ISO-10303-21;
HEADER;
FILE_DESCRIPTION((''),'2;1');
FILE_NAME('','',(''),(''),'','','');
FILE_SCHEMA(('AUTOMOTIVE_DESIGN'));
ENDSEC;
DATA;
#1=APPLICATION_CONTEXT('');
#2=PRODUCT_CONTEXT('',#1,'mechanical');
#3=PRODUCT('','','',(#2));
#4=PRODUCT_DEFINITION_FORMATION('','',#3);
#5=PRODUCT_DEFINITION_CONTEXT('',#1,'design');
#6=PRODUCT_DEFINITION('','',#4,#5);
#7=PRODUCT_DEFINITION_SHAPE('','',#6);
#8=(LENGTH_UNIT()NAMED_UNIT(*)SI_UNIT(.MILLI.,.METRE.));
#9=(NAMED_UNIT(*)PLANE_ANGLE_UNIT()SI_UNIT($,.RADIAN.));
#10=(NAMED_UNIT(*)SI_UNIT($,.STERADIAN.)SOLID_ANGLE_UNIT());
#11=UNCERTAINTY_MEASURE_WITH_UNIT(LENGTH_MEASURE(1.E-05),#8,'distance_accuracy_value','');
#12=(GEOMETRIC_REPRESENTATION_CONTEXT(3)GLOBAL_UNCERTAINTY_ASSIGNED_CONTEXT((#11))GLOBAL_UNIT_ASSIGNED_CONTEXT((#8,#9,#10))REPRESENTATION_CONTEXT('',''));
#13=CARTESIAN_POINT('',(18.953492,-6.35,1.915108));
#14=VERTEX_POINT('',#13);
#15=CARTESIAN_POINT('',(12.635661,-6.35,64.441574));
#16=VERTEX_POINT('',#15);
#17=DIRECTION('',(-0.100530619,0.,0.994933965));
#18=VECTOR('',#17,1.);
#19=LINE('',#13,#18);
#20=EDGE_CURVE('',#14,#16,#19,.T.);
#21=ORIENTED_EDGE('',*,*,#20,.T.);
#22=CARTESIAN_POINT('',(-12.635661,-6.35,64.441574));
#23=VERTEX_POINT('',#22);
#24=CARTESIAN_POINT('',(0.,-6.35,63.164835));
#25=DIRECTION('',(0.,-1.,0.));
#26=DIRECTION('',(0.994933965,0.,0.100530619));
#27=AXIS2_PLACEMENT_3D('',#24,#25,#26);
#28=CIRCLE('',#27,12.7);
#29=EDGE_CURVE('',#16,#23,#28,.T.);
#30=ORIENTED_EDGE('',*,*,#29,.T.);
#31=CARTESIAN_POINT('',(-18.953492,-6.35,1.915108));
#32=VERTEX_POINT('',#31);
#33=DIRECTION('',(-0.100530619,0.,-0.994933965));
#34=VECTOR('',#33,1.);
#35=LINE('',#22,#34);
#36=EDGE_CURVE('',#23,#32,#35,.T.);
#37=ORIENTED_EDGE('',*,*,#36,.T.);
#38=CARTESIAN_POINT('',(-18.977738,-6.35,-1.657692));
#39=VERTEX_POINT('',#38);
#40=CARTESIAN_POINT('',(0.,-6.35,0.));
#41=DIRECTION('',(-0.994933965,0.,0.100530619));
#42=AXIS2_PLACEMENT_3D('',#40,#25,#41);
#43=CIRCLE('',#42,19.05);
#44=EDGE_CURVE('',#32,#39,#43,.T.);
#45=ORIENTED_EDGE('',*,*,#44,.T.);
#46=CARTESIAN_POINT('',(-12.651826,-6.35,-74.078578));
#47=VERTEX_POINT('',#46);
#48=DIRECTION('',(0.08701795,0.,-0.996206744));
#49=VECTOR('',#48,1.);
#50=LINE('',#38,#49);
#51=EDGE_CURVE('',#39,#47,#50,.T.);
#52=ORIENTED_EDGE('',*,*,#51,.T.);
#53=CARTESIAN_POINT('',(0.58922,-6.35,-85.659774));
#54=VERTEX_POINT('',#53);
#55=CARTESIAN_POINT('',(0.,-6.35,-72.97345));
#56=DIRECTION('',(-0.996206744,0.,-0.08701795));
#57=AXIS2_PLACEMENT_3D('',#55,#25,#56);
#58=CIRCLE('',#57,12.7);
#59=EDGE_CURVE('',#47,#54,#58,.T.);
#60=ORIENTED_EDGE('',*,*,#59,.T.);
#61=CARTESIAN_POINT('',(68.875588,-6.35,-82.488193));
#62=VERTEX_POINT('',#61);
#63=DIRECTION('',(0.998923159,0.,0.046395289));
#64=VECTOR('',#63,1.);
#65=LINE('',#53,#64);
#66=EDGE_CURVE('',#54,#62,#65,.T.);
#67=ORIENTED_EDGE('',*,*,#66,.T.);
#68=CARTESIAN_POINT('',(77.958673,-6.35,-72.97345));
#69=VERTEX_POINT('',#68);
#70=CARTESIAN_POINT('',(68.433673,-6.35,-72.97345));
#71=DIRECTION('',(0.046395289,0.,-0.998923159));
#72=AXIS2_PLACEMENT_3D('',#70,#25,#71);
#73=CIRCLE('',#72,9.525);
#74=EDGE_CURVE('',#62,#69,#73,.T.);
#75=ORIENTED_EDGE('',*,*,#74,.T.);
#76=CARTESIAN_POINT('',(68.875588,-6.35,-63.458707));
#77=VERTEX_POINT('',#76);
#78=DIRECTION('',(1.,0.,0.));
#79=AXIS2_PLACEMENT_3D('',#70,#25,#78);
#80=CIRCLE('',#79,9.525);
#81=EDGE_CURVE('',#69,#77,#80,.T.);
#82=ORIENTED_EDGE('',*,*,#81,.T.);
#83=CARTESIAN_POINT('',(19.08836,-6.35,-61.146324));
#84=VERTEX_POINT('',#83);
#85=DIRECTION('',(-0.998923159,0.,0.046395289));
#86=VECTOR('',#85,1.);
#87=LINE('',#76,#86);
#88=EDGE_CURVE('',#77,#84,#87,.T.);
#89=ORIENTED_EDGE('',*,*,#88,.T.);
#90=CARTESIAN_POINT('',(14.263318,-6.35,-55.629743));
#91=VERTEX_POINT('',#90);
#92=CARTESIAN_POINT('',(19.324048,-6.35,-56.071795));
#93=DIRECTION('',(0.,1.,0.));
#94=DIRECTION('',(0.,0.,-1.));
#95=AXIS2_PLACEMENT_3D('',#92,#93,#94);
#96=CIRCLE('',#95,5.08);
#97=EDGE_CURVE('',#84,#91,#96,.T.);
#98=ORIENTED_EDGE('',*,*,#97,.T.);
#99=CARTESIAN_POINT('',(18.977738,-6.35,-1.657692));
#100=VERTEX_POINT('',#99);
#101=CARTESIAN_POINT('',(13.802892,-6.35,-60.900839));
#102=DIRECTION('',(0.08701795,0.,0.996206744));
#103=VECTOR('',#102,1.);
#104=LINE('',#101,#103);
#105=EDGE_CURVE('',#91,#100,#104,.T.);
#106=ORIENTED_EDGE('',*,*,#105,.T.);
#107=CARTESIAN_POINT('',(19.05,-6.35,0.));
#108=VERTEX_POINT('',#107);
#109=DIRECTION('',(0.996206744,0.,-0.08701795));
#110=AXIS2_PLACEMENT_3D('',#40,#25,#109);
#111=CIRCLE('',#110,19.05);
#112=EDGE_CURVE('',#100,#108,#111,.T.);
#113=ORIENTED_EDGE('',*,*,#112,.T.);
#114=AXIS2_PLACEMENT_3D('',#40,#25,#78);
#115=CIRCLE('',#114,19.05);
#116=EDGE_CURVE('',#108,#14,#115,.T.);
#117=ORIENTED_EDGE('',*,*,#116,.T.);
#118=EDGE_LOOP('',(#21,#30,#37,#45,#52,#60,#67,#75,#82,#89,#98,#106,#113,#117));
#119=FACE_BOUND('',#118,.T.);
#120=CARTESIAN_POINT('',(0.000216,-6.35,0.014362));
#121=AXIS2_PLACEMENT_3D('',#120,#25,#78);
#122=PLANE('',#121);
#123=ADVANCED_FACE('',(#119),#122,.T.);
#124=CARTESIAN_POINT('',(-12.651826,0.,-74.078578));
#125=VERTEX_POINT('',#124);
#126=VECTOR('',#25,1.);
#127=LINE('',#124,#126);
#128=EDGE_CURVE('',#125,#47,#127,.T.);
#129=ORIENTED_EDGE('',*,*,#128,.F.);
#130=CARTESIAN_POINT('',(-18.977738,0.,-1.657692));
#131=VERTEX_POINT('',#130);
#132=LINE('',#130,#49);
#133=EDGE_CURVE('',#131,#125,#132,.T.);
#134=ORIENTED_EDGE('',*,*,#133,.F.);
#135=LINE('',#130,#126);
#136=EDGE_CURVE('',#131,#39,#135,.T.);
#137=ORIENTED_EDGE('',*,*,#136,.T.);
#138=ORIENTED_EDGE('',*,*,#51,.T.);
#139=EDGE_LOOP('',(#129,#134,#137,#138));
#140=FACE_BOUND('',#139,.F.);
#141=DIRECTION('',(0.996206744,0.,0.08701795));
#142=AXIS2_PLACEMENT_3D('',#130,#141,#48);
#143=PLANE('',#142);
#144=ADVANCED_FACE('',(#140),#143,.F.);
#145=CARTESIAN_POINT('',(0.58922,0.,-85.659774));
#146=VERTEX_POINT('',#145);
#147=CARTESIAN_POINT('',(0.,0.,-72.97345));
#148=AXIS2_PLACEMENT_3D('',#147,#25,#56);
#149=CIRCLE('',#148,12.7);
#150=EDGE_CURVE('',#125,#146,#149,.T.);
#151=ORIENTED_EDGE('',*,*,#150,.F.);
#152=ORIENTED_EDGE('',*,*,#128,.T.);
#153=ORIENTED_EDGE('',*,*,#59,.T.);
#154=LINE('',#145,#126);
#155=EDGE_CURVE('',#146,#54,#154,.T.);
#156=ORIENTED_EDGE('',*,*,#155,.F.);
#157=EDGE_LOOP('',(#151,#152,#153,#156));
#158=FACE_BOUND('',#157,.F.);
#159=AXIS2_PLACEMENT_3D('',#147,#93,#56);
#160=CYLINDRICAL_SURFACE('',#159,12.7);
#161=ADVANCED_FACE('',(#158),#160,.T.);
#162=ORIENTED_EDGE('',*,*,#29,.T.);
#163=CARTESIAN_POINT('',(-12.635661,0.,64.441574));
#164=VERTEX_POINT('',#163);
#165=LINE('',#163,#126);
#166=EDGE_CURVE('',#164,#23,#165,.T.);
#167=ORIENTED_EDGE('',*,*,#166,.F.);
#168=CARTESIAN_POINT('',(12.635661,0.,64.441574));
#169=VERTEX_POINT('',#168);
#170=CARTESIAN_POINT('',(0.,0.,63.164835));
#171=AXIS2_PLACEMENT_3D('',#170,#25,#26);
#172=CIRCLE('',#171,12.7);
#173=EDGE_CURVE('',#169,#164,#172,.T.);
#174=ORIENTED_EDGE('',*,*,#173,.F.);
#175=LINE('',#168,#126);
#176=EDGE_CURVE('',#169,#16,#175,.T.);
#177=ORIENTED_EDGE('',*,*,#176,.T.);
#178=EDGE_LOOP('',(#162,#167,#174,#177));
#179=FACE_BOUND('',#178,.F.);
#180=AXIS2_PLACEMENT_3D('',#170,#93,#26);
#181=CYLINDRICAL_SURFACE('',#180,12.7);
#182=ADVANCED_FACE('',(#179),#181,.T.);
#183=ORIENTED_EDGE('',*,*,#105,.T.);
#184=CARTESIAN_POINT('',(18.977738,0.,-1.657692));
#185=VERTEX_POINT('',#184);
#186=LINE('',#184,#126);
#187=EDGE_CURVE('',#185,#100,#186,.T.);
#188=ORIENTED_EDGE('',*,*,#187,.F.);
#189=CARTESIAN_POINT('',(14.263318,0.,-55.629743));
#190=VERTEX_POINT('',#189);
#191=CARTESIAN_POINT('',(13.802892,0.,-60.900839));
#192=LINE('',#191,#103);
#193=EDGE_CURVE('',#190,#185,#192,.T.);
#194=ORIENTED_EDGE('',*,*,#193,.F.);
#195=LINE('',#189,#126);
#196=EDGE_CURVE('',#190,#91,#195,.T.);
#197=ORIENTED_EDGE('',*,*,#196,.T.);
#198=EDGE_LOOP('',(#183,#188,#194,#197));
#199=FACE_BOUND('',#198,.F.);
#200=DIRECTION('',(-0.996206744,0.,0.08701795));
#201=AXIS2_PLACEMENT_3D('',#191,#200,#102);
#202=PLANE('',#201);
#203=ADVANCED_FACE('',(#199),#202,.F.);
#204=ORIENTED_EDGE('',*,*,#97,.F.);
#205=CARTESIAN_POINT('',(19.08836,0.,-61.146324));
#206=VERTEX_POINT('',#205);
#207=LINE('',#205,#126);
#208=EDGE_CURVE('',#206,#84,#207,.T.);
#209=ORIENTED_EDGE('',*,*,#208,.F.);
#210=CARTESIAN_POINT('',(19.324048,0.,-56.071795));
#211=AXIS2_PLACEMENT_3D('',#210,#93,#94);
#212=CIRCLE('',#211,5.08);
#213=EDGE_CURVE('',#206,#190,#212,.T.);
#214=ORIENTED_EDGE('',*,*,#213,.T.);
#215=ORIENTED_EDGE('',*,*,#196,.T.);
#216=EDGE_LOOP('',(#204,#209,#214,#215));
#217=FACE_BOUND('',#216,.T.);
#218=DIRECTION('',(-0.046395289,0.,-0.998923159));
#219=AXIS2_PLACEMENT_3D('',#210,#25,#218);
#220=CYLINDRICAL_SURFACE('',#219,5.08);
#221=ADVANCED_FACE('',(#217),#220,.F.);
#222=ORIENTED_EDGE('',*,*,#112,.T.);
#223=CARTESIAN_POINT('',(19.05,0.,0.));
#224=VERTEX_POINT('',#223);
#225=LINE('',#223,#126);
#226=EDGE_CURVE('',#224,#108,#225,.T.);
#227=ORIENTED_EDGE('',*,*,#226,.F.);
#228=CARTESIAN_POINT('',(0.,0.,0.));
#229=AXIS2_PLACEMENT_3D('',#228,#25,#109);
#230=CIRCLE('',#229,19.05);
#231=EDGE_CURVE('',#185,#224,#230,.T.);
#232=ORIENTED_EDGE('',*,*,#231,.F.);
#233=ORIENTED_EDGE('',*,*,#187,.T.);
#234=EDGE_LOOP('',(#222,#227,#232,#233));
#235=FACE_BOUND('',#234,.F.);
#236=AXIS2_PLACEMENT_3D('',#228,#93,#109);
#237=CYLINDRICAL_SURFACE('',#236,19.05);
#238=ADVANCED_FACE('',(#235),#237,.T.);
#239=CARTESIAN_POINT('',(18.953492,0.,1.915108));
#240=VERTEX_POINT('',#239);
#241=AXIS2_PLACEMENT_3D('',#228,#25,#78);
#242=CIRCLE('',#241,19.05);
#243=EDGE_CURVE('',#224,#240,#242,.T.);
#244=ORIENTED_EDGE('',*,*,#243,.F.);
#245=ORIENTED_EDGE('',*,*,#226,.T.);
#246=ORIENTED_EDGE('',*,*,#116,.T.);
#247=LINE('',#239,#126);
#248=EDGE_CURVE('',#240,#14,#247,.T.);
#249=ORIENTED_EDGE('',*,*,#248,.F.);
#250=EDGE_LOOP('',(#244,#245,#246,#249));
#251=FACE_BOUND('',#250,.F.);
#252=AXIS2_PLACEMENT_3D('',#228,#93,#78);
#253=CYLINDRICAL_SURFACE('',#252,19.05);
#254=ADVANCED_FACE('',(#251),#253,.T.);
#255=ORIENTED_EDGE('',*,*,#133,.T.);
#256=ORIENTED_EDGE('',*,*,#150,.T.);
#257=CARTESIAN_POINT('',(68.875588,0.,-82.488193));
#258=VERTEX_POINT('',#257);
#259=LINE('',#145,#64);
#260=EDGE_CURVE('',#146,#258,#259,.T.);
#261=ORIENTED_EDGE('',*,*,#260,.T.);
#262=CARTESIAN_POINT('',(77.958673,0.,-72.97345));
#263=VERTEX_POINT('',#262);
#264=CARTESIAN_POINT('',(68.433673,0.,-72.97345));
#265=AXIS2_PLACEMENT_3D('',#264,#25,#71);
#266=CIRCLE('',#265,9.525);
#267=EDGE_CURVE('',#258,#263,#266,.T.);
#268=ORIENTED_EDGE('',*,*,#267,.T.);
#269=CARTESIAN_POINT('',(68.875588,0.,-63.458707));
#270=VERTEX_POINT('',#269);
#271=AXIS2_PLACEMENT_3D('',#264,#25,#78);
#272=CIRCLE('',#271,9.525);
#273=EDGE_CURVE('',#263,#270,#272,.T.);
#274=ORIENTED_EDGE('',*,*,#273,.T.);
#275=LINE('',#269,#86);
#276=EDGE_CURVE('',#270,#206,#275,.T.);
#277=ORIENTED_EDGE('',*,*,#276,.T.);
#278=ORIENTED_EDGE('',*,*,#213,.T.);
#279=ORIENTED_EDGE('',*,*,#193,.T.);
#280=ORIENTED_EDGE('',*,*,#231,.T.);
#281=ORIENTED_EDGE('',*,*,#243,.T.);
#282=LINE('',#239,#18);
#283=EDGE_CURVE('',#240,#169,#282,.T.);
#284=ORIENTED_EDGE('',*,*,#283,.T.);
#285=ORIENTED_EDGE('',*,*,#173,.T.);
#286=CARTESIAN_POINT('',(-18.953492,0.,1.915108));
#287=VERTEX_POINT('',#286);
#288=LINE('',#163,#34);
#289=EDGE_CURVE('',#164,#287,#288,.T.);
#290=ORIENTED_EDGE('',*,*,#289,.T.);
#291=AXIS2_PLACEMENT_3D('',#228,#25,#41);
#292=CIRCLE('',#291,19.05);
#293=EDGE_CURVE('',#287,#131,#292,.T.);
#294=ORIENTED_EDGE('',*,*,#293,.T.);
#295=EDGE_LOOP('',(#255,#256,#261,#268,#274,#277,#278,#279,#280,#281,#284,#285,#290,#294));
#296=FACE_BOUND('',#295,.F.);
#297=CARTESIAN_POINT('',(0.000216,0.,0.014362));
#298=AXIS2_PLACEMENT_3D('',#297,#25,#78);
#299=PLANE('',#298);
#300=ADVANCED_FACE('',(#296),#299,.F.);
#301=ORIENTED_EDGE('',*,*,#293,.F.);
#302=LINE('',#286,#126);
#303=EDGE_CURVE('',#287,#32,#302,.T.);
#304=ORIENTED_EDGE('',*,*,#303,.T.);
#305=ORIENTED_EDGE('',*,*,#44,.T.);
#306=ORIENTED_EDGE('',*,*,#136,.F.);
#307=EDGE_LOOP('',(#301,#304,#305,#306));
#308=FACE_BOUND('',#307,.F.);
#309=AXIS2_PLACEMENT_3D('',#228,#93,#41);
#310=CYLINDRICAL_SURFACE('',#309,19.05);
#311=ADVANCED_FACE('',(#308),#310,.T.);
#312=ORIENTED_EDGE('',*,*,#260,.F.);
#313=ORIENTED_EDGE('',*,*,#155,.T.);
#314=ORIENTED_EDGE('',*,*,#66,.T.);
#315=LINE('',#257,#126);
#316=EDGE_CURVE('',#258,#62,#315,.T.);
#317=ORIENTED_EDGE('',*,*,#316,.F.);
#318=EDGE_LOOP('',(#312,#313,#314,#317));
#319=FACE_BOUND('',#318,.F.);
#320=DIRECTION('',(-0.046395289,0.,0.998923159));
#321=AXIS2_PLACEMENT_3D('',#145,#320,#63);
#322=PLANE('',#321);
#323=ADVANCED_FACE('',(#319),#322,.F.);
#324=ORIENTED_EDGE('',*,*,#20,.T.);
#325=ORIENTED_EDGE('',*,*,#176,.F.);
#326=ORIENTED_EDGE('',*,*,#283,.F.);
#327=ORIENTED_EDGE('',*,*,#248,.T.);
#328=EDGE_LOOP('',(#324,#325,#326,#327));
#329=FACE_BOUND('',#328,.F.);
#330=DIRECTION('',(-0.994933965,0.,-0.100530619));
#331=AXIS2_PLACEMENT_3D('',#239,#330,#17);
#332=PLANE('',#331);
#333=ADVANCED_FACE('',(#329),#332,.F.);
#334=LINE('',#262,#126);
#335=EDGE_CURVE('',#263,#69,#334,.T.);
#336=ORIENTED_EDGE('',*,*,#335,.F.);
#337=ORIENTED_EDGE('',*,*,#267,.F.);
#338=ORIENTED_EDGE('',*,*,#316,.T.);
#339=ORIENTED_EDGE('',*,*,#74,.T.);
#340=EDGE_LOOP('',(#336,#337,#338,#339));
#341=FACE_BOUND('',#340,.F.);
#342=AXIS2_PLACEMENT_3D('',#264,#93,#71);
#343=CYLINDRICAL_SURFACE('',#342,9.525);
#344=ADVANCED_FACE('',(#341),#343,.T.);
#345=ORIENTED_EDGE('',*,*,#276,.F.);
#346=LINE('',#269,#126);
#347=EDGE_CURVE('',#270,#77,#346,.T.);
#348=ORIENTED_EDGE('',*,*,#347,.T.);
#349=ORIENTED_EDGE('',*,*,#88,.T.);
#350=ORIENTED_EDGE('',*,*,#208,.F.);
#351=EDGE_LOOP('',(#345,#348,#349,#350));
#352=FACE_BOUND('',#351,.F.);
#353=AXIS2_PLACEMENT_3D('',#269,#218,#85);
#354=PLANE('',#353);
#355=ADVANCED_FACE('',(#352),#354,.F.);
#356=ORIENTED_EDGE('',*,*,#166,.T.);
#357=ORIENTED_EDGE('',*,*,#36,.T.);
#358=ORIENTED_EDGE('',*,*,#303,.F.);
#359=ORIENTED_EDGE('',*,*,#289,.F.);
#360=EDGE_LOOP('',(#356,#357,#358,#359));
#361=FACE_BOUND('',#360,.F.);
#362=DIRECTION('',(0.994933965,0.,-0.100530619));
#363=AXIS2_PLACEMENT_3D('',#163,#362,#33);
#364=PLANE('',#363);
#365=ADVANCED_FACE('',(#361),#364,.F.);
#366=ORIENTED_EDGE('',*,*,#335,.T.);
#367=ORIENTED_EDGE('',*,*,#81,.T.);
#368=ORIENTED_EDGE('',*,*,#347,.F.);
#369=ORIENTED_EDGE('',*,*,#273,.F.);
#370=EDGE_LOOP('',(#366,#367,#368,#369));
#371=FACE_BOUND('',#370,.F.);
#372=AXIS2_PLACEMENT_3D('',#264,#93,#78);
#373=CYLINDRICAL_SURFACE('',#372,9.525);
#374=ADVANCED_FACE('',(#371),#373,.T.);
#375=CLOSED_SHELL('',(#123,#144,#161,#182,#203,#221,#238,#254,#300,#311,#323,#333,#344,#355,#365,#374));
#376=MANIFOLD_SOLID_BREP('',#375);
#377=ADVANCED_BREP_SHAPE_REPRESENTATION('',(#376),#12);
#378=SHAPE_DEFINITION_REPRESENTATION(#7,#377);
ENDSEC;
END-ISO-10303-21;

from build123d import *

# Parameters (mm, degrees)
F1_DEPTH = 6.35
F2_R     = 5.08


with BuildPart() as f1:
    # F0 (on Front) → F1 (new body)
    with BuildSketch(Plane.XZ):
        with BuildLine():
            ThreePointArc((18.9777384701, -1.657691938), (19.0319260436, -0.8296330951), (19.05, 0))
            ThreePointArc((19.05, 0), (19.0258577103, 0.9587692038), (18.9534920329, 1.9151082886))
            ThreePointArc((18.9534920329, 1.9151082886), (0, 19.05), (-18.9534920329, 1.9151082886))
            ThreePointArc((-18.9534920329, 1.9151082886), (-19.0495613397, 0.1292778667), (-18.9777384701, -1.657691938))
            ThreePointArc((-18.9777384701, -1.657691938), (0, -19.05), (18.9777384701, -1.657691938))
        make_face()
        with BuildLine():
            ThreePointArc((-18.9534920329, 1.9151082886), (0, 19.05), (18.9534920329, 1.9151082886))
            Line((18.9534920329, 1.9151082886), (12.6356613553, 64.4415743522))
            ThreePointArc((12.6356613553, 64.4415743522), (12.6839051402, 63.8040149624), (12.7, 63.1648354932))
            ThreePointArc((12.7, 63.1648354932), (-0.6391794692, 50.480930353), (-12.6356613553, 64.4415743522))
            Line((-12.6356613553, 64.4415743522), (-18.9534920329, 1.9151082886))
        make_face()
        with BuildLine():
            Line((13.8028917705, -60.9008390119), (18.9777384701, -1.657691938))
            ThreePointArc((18.9777384701, -1.657691938), (0, -19.05), (-18.9777384701, -1.657691938))
            Line((-18.9777384701, -1.657691938), (-12.6518256467, -74.0785781066))
            ThreePointArc((-12.6518256467, -74.0785781066), (-9.1612035414, -64.1778632049), (0.5892201669, -60.2871260312))
            Line((0.5892201669, -60.2871260312), (13.8028917705, -60.9008390119))
        make_face()
        with BuildLine():
            ThreePointArc((12.7, 63.1648354932), (12.6839051402, 63.8040149624), (12.6356613553, 64.4415743522))
            ThreePointArc((12.6356613553, 64.4415743522), (0, 75.8648354932), (-12.6356613553, 64.4415743522))
            ThreePointArc((-12.6356613553, 64.4415743522), (-0.6391794692, 50.480930353), (12.7, 63.1648354932))
        make_face()
        with BuildLine():
            Line((68.8755877414, -63.4587070604), (13.8028917705, -60.9008390119))
            Line((13.8028917705, -60.9008390119), (12.6518256467, -74.0785781066))
            ThreePointArc((12.6518256467, -74.0785781066), (8.795586943, -82.1346536894), (0.5892201669, -85.6597742647))
            Line((0.5892201669, -85.6597742647), (68.8755877414, -82.4881932355))
            ThreePointArc((68.8755877414, -82.4881932355), (58.9086726163, -72.973450148), (68.8755877414, -63.4587070604))
        make_face()
        with BuildLine():
            Line((12.6518256467, -74.0785781066), (13.8028917705, -60.9008390119))
            Line((13.8028917705, -60.9008390119), (0.5892201669, -60.2871260312))
            ThreePointArc((0.5892201669, -60.2871260312), (9.1862151107, -64.2039888224), (12.7, -72.973450148))
            ThreePointArc((12.7, -72.973450148), (12.6879506957, -73.526538878), (12.6518256467, -74.0785781066))
        make_face()
        with BuildLine():
            ThreePointArc((0.5892201669, -60.2871260312), (-9.1612035414, -64.1778632049), (-12.6518256467, -74.0785781066))
            ThreePointArc((-12.6518256467, -74.0785781066), (-8.3610788092, -82.5328623237), (0.5892201669, -85.6597742647))
            ThreePointArc((0.5892201669, -85.6597742647), (8.795586943, -82.1346536894), (12.6518256467, -74.0785781066))
            ThreePointArc((12.6518256467, -74.0785781066), (12.6879506957, -73.526538878), (12.7, -72.973450148))
            ThreePointArc((12.7, -72.973450148), (9.1862151107, -64.2039888224), (0.5892201669, -60.2871260312))
        make_face()
        with BuildLine():
            ThreePointArc((77.9586726163, -72.973450148), (75.3233339493, -66.3963541538), (68.8755877414, -63.4587070604))
            ThreePointArc((68.8755877414, -63.4587070604), (58.9086726163, -72.973450148), (68.8755877414, -82.4881932355))
            ThreePointArc((68.8755877414, -82.4881932355), (75.3233339493, -79.5505461421), (77.9586726163, -72.973450148))
        make_face()
    extrude(amount=F1_DEPTH)

    # F2
    f2_edges = [f1.edges().sort_by_distance(p)[0] for p in [
        (13.802892, -3.175, -60.900839),
    ]]
    fillet(f2_edges, radius=F2_R)


solid = f1.part
